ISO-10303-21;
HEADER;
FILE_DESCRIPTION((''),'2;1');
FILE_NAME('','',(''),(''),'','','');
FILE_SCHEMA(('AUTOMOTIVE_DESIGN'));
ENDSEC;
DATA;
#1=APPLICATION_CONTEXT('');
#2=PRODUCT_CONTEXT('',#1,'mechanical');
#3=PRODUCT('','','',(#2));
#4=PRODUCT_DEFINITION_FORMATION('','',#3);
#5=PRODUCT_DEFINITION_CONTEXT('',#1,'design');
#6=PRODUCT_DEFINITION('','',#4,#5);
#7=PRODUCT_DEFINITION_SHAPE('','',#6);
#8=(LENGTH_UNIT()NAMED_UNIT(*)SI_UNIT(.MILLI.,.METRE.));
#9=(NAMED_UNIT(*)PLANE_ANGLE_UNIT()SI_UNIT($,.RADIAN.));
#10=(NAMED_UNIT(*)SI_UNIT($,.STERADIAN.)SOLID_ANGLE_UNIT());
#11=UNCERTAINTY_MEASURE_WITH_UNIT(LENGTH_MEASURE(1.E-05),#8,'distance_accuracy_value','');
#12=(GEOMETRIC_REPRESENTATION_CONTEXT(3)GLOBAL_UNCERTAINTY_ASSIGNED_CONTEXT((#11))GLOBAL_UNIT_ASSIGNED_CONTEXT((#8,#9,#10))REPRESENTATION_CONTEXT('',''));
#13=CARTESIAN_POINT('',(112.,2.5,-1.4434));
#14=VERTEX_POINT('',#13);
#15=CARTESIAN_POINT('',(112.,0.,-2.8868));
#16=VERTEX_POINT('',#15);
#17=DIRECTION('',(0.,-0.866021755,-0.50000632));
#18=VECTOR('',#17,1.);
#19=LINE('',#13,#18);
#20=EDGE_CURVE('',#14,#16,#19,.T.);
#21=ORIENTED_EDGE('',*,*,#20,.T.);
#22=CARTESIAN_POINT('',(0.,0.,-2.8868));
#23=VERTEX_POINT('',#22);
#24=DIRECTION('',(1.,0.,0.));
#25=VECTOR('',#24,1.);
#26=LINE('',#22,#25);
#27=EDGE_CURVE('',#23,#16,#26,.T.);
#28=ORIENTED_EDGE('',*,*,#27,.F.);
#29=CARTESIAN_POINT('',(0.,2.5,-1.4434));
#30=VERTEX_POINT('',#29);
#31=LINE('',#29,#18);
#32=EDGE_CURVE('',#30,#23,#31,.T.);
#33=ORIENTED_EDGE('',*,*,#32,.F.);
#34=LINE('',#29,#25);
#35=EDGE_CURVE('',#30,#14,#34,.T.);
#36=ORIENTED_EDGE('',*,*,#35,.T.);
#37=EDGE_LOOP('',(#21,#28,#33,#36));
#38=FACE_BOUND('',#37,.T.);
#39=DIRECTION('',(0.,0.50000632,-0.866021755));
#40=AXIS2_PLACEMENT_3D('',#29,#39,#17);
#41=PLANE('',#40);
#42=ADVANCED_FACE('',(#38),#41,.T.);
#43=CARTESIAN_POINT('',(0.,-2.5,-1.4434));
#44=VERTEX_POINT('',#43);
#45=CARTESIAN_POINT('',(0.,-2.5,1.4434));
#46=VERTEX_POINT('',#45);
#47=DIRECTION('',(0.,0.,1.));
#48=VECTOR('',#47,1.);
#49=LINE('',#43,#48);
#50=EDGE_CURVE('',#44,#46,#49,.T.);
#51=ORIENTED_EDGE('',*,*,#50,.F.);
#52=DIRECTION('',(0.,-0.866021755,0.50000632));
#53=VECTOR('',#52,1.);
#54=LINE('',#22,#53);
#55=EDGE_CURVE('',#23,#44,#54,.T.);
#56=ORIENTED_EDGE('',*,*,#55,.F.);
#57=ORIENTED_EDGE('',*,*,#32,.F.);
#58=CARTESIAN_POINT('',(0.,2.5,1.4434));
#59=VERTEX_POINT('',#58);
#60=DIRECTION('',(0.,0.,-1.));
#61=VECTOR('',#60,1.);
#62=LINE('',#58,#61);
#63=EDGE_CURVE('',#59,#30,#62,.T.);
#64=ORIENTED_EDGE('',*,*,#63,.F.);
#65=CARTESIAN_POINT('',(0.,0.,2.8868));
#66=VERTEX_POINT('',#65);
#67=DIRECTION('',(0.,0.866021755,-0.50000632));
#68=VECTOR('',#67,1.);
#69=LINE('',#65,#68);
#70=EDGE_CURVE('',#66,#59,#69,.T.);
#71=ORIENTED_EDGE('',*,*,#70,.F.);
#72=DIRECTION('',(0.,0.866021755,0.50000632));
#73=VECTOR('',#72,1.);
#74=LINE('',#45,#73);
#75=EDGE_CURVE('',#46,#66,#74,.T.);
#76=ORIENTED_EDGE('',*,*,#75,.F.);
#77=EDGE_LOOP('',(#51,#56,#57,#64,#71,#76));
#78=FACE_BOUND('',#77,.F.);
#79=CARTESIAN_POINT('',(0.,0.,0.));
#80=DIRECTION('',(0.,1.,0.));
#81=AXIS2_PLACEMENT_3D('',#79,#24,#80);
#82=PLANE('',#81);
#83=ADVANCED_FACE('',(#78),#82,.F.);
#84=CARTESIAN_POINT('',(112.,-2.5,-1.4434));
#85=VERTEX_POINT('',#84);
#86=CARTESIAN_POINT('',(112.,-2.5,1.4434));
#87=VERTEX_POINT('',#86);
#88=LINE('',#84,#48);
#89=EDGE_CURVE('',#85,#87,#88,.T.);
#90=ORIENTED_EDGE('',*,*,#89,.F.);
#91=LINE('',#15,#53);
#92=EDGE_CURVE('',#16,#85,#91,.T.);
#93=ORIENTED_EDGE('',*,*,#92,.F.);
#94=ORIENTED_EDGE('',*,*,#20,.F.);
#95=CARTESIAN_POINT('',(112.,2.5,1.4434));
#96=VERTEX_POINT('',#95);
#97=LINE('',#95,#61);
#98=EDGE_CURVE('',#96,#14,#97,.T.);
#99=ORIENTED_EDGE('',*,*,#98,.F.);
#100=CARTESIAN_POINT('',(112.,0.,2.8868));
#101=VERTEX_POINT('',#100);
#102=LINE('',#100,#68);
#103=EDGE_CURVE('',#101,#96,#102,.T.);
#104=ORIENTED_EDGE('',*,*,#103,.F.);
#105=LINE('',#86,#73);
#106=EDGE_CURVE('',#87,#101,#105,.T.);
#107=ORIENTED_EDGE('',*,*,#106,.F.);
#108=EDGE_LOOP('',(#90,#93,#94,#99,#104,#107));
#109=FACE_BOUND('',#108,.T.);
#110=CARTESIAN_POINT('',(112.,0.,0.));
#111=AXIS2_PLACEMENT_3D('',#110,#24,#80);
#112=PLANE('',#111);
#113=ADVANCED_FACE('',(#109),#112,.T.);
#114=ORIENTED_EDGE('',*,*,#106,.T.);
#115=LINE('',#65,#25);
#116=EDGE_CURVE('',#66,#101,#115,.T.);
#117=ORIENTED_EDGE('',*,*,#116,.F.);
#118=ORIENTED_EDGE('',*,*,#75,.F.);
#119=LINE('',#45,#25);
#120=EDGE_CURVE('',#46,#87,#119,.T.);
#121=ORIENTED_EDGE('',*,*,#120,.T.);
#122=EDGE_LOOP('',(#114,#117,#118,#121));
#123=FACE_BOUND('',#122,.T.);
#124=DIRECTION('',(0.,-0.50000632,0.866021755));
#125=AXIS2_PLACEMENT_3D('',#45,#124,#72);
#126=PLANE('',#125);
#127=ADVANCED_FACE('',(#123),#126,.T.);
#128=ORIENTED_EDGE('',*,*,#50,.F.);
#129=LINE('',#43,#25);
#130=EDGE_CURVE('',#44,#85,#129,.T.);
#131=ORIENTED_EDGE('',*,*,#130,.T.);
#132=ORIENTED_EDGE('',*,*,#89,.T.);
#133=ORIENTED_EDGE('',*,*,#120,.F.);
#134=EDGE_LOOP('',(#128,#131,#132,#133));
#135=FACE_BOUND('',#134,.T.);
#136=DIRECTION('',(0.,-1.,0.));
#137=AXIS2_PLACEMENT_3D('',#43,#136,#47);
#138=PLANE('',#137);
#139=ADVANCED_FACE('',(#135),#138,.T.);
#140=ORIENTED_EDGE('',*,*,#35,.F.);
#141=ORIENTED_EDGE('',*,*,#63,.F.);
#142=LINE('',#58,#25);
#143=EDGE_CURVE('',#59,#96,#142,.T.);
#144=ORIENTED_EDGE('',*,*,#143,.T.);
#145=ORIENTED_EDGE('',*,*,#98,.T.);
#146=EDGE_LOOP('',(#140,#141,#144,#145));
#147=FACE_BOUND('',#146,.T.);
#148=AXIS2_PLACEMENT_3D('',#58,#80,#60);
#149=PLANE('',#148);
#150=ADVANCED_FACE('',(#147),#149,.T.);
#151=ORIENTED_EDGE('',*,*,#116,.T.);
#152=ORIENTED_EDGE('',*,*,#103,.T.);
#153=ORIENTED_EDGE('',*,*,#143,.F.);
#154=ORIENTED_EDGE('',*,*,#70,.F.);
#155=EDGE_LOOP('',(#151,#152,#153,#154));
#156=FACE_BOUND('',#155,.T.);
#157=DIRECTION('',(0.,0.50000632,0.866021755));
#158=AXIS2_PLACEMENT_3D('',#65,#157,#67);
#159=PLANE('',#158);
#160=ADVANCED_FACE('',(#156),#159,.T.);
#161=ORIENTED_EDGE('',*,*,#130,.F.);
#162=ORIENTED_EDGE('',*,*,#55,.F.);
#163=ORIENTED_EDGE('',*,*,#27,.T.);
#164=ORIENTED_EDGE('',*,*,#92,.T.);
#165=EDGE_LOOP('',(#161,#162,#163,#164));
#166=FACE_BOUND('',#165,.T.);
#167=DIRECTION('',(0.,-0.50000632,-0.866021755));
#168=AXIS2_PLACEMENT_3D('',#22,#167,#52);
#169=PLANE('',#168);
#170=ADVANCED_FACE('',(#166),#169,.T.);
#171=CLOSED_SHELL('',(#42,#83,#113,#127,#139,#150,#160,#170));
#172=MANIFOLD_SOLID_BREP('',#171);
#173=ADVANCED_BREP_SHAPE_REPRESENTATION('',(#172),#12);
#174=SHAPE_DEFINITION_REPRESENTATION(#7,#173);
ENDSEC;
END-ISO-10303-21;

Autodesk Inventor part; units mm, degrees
ref_plane "YZ Plane" through (0, 0, 0) normal (1, 0, 0) x (0, 1, 0)
ref_plane "XZ Plane" through (0, 0, 0) normal (0, 1, 0) x (-1, 0, 0)
ref_plane "XY Plane" through (0, 0, 0) normal (0, 0, 1) x (1, 0, 0)
sketch "Sketch1" plane through (0, 0, 0) normal (1, 0, 0) x (0, 1, 0)
  line L0 (2.5, -1.4434) -> (0, -2.8868)
  line L1 (0, -2.8868) -> (-2.5, -1.4434)
  line L2 (-2.5, -1.4434) -> (-2.5, 1.4434)
  line L3 (-2.5, 1.4434) -> (0, 2.8868)
  line L4 (0, 2.8868) -> (2.5, 1.4434)
  line L5 (2.5, 1.4434) -> (2.5, -1.4434)
  point P0 (0, 0)
  point P1 (0, 0)
  dimension "d0" = 5
extrude "Extrusion1" add sketch "Sketch1" along normal blind 112
properties part number "MainHexShaft"
